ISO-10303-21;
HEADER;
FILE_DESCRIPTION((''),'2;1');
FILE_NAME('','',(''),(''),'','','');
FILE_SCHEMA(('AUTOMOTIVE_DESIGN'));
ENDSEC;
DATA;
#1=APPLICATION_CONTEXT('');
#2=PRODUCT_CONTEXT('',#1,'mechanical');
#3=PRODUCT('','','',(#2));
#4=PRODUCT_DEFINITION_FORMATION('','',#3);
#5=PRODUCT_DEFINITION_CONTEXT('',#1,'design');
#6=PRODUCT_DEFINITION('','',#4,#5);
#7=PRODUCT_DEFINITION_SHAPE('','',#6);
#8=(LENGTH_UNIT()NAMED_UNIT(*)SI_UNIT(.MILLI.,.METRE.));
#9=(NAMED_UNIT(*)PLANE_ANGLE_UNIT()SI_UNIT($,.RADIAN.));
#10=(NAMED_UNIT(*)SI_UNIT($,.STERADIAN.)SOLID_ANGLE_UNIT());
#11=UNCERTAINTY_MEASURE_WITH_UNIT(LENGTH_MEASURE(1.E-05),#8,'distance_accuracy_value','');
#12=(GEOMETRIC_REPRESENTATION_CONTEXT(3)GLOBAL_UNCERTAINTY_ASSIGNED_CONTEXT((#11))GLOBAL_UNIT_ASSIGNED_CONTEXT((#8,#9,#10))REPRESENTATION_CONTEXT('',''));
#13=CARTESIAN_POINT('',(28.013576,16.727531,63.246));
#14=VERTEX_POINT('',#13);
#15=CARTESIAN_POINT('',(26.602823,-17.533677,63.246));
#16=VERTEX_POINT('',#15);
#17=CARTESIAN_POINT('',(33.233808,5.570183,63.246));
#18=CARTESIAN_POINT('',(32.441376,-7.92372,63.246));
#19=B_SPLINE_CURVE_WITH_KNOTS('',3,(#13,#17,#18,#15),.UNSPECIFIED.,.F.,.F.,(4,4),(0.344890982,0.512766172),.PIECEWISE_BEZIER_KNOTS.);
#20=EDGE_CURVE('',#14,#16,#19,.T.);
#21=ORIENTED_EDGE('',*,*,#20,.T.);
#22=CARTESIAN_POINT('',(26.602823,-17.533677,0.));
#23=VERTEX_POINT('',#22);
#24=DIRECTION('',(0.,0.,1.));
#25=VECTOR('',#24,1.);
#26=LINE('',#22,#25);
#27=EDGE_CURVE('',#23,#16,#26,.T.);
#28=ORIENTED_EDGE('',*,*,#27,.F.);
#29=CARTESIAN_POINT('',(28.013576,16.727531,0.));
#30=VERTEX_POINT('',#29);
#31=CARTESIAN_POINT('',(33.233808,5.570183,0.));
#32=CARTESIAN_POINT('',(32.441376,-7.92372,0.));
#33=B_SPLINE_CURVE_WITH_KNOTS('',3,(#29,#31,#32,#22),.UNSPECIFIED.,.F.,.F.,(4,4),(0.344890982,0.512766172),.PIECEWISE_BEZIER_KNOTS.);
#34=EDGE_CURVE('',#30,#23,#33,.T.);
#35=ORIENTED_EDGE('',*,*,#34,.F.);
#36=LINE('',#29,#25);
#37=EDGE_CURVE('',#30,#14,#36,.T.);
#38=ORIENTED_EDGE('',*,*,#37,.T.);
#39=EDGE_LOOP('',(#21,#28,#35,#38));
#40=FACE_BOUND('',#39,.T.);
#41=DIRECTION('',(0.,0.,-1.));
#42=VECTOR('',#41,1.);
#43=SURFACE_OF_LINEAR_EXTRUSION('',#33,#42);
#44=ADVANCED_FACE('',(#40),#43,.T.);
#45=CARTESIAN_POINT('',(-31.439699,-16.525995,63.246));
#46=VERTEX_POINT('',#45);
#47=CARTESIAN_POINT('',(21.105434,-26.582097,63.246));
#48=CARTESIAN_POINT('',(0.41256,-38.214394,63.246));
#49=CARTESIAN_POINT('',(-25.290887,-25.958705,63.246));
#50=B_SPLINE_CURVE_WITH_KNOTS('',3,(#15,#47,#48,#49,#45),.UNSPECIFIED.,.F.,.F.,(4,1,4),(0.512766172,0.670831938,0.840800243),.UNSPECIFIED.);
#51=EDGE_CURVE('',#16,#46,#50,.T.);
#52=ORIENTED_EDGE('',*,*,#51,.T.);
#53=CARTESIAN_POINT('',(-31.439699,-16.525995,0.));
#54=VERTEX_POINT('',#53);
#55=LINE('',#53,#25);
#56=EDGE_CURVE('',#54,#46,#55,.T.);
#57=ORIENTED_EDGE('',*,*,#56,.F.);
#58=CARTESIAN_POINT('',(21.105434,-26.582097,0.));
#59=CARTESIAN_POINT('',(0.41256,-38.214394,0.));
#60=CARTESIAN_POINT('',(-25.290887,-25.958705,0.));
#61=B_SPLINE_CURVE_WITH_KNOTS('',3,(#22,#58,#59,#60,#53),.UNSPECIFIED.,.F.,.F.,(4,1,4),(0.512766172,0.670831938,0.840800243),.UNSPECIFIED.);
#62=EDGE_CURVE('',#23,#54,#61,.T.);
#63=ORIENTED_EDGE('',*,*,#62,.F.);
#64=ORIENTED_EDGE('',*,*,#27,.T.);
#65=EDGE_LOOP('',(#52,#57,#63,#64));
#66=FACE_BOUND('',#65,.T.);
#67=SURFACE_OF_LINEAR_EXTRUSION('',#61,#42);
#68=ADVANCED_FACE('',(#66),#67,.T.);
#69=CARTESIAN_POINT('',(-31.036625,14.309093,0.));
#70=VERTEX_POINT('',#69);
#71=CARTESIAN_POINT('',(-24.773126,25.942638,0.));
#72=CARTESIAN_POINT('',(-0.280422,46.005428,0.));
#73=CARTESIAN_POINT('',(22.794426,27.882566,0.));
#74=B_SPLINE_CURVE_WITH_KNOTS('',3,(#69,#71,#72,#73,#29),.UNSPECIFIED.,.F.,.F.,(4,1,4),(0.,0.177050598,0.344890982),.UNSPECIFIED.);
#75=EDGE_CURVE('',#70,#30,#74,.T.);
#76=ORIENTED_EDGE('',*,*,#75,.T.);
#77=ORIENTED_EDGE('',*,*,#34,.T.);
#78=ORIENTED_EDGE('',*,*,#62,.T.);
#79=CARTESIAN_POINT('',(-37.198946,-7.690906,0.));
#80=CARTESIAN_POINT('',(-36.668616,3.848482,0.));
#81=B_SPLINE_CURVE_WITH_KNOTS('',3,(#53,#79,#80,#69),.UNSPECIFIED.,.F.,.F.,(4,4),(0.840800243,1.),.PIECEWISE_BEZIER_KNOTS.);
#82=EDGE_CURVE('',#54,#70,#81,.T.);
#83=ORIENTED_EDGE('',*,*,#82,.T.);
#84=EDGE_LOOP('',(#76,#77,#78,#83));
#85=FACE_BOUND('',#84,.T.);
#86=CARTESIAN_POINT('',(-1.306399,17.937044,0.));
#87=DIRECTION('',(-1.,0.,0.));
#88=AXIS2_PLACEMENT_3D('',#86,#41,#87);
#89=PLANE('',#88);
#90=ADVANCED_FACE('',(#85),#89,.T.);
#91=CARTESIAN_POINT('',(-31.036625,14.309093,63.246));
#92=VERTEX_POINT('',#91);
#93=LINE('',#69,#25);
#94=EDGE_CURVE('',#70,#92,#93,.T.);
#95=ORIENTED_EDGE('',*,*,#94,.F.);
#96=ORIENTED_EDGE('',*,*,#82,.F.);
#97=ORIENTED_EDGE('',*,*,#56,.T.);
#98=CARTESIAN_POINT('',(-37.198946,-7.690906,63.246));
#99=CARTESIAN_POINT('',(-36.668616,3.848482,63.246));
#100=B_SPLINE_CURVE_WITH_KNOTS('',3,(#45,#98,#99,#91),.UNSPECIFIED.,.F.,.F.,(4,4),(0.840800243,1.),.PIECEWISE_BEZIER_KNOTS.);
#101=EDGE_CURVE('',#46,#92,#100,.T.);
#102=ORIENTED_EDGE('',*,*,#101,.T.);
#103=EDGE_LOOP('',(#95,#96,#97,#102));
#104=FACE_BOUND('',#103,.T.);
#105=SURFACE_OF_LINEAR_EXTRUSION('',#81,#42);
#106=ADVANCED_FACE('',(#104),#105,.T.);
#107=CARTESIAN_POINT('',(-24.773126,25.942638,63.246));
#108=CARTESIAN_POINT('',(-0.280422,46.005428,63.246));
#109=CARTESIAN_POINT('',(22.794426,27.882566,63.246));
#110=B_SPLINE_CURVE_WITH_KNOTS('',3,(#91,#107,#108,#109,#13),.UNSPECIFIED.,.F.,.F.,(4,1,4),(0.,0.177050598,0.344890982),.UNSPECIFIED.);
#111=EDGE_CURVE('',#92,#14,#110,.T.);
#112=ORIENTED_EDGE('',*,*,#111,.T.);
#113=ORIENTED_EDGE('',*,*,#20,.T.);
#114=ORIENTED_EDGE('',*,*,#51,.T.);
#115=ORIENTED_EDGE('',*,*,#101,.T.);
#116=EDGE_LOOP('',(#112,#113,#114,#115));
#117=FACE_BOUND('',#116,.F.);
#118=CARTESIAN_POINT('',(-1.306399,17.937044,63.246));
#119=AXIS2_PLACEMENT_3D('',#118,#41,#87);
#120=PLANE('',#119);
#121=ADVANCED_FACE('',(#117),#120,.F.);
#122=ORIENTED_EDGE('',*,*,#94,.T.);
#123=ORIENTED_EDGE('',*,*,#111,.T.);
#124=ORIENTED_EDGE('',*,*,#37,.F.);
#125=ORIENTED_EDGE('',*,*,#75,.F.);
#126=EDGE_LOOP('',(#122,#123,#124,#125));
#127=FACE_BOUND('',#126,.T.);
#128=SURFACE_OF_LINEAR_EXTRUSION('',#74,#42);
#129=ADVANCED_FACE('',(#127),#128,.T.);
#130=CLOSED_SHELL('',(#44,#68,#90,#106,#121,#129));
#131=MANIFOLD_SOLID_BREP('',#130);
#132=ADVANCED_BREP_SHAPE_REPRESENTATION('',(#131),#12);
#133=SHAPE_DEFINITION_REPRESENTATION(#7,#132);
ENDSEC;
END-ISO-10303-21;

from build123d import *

# Parameters (mm, degrees)
F1_DEPTH = 63.246


with BuildPart() as f1:
    # F0 (on Top) → F1 (new body)
    with BuildSketch(Plane.XY):
        with BuildLine():
            add(Edge.make_bspline(
                [(-31.0366246849, 14.3090933561), (-24.7731259502, 25.9426378564), (-0.280422184, 46.0054280911), (22.7944260513, 27.8825659331), (28.0135758221, 16.7275313288)],
                knots=[0, 0, 0, 0, 0.1770505982, 0.3448909825, 0.3448909825, 0.3448909825, 0.3448909825], degree=3))
            add(Edge.make_bspline(
                [(-31.0366246849, 14.3090933561), (-20.4916338951, 6.8899530992), (-9.9466431052, -0.5291871577), (0, 0)],
                knots=[0, 0, 0, 0, 0.5057960066, 0.5057960066, 0.5057960066, 0.5057960066], degree=3))
            add(Edge.make_bspline(
                [(0, 0), (9.7186823915, 0.5170590577), (18.8661291068, 8.6222951933), (28.0135758221, 16.7275313288)],
                knots=[0.5057960066, 0.5057960066, 0.5057960066, 0.5057960066, 1, 1, 1, 1], degree=3))
        make_face()
        with BuildLine():
            add(Edge.make_bspline(
                [(0, 0), (-10.4798997442, -5.5086649954), (-20.9597994884, -11.0173299909), (-31.4396992326, -16.5259949863)],
                knots=[0, 0, 0, 0, 35.5184909325, 35.5184909325, 35.5184909325, 35.5184909325], degree=3))
            add(Edge.make_bspline(
                [(26.6028232872, -17.5336766988), (21.1054335645, -26.5820967327), (0.4125595486, -38.2143940271), (-25.2908871993, -25.9587047594), (-31.4396992326, -16.5259949863)],
                knots=[0.5127661723, 0.5127661723, 0.5127661723, 0.5127661723, 0.6708319375, 0.8408002432, 0.8408002432, 0.8408002432, 0.8408002432], degree=3))
            add(Edge.make_bspline(
                [(0, 0), (8.8676077624, -5.8445588996), (17.7352155248, -11.6891177992), (26.6028232872, -17.5336766988)],
                knots=[0, 0, 0, 0, 31.8612621443, 31.8612621443, 31.8612621443, 31.8612621443], degree=3))
        make_face()
        with BuildLine():
            add(Edge.make_bspline(
                [(28.0135758221, 16.7275313288), (33.2338078983, 5.5701834829), (32.4413762566, -7.9237195516), (26.6028232872, -17.5336766988)],
                knots=[0.3448909825, 0.3448909825, 0.3448909825, 0.3448909825, 0.5127661723, 0.5127661723, 0.5127661723, 0.5127661723], degree=3))
            add(Edge.make_bspline(
                [(0, 0), (9.7186823915, 0.5170590577), (18.8661291068, 8.6222951933), (28.0135758221, 16.7275313288)],
                knots=[0.5057960066, 0.5057960066, 0.5057960066, 0.5057960066, 1, 1, 1, 1], degree=3))
            add(Edge.make_bspline(
                [(0, 0), (8.8676077624, -5.8445588996), (17.7352155248, -11.6891177992), (26.6028232872, -17.5336766988)],
                knots=[0, 0, 0, 0, 31.8612621443, 31.8612621443, 31.8612621443, 31.8612621443], degree=3))
        make_face()
        with BuildLine():
            add(Edge.make_bspline(
                [(-31.0366246849, 14.3090933561), (-20.4916338951, 6.8899530992), (-9.9466431052, -0.5291871577), (0, 0)],
                knots=[0, 0, 0, 0, 0.5057960066, 0.5057960066, 0.5057960066, 0.5057960066], degree=3))
            add(Edge.make_bspline(
                [(-31.4396992326, -16.5259949863), (-37.1989457975, -7.6909060187), (-36.6686162511, 3.8484822368), (-31.0366246849, 14.3090933561)],
                knots=[0.8408002432, 0.8408002432, 0.8408002432, 0.8408002432, 1, 1, 1, 1], degree=3))
            add(Edge.make_bspline(
                [(0, 0), (-10.4798997442, -5.5086649954), (-20.9597994884, -11.0173299909), (-31.4396992326, -16.5259949863)],
                knots=[0, 0, 0, 0, 35.5184909325, 35.5184909325, 35.5184909325, 35.5184909325], degree=3))
        make_face()
    extrude(amount=F1_DEPTH)


solid = f1.part
